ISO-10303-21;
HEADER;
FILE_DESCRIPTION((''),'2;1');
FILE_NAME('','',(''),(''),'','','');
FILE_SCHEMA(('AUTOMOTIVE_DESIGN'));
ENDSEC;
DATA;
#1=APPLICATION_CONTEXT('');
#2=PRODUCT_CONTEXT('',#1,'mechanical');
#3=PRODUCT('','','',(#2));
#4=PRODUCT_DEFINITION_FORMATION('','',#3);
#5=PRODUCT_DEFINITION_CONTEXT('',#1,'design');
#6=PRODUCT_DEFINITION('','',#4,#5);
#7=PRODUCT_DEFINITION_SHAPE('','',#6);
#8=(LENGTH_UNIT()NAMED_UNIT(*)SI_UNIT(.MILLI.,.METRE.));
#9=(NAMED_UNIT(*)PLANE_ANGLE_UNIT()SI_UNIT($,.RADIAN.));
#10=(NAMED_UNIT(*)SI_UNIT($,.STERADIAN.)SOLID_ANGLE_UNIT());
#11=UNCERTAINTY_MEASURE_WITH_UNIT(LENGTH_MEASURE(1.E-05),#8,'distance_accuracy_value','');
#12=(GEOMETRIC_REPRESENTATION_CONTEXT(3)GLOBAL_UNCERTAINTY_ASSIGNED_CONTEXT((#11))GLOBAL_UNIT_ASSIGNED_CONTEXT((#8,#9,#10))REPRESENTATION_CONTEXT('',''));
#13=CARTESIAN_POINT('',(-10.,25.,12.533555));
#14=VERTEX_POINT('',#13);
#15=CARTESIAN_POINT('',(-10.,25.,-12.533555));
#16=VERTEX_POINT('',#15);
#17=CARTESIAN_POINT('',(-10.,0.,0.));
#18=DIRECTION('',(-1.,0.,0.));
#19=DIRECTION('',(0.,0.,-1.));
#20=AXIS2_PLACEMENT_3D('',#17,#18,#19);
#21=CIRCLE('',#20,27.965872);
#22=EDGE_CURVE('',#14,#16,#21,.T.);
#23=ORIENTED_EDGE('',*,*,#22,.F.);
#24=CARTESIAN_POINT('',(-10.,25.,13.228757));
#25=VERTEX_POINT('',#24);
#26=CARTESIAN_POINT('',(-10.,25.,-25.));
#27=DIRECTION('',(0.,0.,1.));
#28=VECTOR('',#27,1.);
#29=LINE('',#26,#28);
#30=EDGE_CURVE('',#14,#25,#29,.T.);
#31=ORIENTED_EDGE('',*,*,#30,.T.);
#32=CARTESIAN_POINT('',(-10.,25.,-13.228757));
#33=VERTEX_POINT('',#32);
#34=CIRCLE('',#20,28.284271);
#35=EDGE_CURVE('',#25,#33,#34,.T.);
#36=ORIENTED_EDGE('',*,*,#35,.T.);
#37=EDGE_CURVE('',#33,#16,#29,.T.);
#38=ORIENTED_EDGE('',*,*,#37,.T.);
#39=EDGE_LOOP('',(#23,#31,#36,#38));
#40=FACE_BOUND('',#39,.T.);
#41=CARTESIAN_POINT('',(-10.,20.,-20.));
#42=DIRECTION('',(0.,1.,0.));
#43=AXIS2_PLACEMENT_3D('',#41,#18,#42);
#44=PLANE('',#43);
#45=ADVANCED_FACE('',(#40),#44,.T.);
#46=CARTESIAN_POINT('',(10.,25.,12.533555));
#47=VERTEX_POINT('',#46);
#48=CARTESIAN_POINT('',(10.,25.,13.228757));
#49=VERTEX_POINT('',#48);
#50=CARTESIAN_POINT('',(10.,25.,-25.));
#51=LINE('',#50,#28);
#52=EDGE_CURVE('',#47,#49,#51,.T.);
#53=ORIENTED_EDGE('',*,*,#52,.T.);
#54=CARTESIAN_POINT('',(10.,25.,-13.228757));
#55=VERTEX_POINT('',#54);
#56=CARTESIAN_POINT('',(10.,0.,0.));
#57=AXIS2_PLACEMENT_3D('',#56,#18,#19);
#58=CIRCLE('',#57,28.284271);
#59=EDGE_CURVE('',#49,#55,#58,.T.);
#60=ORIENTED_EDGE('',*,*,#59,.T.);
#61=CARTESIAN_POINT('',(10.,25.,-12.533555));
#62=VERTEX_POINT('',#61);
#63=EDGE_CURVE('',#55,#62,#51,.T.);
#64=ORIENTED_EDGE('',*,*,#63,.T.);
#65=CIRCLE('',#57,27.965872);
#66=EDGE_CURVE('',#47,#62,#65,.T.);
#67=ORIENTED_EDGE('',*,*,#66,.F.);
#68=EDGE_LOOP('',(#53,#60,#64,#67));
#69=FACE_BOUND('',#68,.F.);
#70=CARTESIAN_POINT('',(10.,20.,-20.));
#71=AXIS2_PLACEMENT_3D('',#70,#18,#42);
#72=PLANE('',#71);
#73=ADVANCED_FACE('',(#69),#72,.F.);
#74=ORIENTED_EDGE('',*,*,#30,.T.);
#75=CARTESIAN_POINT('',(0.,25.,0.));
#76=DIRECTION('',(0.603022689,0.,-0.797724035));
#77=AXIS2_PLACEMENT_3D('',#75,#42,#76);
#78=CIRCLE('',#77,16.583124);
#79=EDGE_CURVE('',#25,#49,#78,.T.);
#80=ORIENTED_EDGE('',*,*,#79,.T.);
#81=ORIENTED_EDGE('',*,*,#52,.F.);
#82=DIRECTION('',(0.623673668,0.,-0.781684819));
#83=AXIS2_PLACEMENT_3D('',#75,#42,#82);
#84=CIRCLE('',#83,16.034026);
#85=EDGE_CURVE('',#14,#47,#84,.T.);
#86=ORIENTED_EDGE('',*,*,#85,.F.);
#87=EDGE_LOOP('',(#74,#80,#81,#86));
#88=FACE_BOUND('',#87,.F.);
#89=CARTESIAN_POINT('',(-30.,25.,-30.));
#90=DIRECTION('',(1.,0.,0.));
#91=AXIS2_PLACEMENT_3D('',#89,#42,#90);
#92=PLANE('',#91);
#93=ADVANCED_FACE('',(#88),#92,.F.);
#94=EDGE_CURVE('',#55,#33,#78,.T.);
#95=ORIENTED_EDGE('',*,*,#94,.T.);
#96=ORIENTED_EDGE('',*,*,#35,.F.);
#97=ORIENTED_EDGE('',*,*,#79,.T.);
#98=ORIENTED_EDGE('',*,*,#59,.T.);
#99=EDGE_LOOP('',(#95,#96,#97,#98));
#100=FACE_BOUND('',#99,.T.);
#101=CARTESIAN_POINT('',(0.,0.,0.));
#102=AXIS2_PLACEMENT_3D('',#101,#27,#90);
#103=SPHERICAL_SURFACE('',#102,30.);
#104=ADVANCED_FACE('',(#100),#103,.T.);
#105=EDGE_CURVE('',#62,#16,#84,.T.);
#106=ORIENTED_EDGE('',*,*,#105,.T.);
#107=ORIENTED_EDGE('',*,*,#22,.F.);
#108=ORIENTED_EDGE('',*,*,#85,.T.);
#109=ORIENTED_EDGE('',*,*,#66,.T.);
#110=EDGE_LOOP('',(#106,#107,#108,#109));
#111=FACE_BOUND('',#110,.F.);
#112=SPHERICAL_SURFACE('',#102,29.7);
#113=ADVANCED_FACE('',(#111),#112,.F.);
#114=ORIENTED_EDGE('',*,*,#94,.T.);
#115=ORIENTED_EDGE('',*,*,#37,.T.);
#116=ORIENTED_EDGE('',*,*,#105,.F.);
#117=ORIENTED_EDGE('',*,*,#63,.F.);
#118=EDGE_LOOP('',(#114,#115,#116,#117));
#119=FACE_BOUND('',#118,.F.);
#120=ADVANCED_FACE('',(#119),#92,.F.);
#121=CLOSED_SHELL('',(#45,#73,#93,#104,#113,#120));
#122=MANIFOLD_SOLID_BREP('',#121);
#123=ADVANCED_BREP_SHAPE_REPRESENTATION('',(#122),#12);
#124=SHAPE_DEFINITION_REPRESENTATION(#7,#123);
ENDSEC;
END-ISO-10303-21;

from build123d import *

# Parameters (mm, degrees)
BOX002_W        = 10
BOX002_H        = 10
BOX002_DEPTH    = 40
BOX001_W        = 10
BOX001_H        = 10
BOX001_DEPTH    = 40
BOX_W           = 60
BOX_H           = 40
BOX_DEPTH       = 60
SPHERE001_ANGLE = 180
SPHERE_ANGLE    = 180


with BuildPart() as cube002:
    # Box002 → Box002 (new body)
    with BuildSketch(Plane(origin=(-20, 20, -20), x_dir=(1, 0, 0), z_dir=(0, 0, 1))):
        with Locations((5, 5)):
            Rectangle(BOX002_W, BOX002_H)
    extrude(amount=BOX002_DEPTH)


with BuildPart() as cube001:
    # Box001 → Box001 (new body)
    with BuildSketch(Plane(origin=(10, 20, -20), x_dir=(1, 0, 0), z_dir=(0, 0, 1))):
        with Locations((5, 5)):
            Rectangle(BOX001_W, BOX001_H)
    extrude(amount=BOX001_DEPTH)


with BuildPart() as cube:
    # Box → Box (new body)
    with BuildSketch(Plane(origin=(-30, -15, -30), x_dir=(1, 0, 0), z_dir=(0, 0, 1))):
        with Locations((30, 20)):
            Rectangle(BOX_W, BOX_H)
    extrude(amount=BOX_DEPTH)


with BuildPart() as inner:
    # Sphere001 → Sphere001 (revolve)
    with BuildSketch(Plane.XZ):
        with BuildLine():
            ThreePointArc((0, -29.7), (29.7, 0), (0, 29.7))
            Line((0, 29.7), (0, -29.7))
        make_face()
    revolve(axis=Axis((0, 0, 0), (0, 0, 1)), revolution_arc=SPHERE001_ANGLE)


with BuildPart() as cutmirror:
    # Sphere → Sphere (revolve)
    with BuildSketch(Plane.XZ):
        with BuildLine():
            ThreePointArc((0, -30), (30, 0), (0, 30))
            Line((0, 30), (0, -30))
        make_face()
    revolve(axis=Axis((0, 0, 0), (0, 0, 1)), revolution_arc=SPHERE_ANGLE)

    # Cut: cut Inner
    add(inner.part, mode=Mode.SUBTRACT)

    # Cut001: cut Cube
    add(cube.part, mode=Mode.SUBTRACT)

    # Cut002: cut Cube001
    add(cube001.part, mode=Mode.SUBTRACT)

    # Cut003: cut Cube002
    add(cube002.part, mode=Mode.SUBTRACT)


solid = cutmirror.part
